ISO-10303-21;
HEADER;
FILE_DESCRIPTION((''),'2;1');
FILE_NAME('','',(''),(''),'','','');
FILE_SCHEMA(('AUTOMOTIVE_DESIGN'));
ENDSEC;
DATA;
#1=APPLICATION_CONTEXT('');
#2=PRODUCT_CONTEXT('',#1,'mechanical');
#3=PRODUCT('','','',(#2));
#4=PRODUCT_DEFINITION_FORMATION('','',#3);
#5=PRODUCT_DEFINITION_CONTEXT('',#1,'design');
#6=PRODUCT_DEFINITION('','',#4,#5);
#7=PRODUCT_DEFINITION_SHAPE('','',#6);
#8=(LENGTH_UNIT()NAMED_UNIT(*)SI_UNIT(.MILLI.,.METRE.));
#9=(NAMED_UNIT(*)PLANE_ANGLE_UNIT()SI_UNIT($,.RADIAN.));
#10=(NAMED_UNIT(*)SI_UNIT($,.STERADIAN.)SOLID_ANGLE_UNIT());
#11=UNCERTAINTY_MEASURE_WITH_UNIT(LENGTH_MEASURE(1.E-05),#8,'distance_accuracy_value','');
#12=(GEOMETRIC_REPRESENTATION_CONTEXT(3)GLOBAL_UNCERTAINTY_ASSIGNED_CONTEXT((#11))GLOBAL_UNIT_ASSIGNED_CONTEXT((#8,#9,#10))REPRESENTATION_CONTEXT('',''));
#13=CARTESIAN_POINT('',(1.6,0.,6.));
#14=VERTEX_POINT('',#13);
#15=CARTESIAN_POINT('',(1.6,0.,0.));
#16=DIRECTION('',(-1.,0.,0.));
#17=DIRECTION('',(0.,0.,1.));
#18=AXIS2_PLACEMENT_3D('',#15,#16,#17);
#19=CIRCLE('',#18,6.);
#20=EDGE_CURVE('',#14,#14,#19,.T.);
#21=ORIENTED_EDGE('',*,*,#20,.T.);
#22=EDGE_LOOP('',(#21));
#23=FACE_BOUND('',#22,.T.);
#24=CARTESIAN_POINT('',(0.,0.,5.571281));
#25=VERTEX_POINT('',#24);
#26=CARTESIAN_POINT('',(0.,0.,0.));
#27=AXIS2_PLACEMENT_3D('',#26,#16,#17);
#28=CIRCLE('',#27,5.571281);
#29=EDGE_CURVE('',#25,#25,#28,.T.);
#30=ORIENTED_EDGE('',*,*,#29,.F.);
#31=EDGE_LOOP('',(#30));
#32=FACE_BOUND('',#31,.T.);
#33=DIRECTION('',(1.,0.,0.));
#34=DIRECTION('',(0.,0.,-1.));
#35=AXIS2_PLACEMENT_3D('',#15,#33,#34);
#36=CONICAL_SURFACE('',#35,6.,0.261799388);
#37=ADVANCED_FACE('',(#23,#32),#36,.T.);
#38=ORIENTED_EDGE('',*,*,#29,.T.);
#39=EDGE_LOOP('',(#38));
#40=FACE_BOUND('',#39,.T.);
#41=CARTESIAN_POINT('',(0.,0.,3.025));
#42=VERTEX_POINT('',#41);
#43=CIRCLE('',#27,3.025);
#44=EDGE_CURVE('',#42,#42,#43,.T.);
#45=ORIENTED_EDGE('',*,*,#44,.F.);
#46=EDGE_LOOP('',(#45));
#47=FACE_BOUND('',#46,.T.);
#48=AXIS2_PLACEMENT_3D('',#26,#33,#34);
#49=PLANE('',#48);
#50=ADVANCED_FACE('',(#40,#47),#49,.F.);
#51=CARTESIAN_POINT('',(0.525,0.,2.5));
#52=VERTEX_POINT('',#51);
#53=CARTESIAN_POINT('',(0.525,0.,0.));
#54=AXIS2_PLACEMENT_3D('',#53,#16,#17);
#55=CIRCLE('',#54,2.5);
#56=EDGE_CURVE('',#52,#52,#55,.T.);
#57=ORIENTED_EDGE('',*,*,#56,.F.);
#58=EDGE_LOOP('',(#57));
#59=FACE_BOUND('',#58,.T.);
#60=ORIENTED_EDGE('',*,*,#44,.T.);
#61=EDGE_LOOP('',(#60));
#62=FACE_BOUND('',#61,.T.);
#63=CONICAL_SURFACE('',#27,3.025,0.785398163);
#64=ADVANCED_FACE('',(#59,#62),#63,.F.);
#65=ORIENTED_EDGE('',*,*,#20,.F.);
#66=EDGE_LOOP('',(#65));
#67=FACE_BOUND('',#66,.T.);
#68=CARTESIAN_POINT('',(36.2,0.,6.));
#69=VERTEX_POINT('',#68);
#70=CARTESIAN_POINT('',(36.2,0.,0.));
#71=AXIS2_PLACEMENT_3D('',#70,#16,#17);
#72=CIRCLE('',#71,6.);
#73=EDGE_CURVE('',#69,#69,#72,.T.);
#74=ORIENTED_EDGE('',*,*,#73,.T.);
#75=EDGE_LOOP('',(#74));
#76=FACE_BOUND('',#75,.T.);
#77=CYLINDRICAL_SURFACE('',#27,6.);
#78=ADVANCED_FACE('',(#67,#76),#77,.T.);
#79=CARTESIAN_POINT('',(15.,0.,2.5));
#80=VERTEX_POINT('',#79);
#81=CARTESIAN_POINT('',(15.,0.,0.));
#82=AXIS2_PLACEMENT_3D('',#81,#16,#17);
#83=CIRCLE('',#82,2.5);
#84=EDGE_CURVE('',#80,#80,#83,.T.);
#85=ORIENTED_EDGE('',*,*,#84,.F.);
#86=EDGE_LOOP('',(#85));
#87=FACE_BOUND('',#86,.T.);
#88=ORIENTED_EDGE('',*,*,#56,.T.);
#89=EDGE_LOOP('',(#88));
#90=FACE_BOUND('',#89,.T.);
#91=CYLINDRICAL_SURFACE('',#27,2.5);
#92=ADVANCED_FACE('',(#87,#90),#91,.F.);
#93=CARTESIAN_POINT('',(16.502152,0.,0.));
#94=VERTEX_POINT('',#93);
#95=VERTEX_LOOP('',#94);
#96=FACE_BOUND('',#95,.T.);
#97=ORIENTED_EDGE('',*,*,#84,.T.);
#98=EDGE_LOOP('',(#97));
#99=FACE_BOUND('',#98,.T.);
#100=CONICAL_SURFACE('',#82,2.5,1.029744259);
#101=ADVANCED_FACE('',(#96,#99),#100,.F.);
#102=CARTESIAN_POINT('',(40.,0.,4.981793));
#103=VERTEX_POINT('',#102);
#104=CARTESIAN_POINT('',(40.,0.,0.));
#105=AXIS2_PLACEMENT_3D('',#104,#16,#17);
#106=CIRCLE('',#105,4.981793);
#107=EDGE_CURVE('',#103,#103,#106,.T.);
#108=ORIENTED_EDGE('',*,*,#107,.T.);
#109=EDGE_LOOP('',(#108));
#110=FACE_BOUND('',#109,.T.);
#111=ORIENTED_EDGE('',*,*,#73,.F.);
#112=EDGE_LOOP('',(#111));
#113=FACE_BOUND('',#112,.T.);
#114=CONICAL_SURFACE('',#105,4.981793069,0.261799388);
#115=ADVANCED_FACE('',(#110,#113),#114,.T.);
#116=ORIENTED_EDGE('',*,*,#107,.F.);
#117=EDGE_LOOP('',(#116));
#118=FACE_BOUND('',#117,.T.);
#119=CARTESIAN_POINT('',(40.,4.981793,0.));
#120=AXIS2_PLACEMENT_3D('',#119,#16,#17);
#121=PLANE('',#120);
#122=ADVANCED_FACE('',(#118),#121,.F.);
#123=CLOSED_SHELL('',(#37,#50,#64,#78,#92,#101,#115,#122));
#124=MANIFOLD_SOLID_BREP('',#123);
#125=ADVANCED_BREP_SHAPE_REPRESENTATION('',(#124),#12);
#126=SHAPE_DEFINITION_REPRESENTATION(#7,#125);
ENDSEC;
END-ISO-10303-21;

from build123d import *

# Parameters (mm, degrees)
M6_GEWINDEBOHRUNG1_D           = 5
M6_GEWINDEBOHRUNG1_DEPTH       = 15
M6_GEWINDEBOHRUNG1_CSINK_D     = 6.05
M6_GEWINDEBOHRUNG1_CSINK_ANGLE = 90
M6_GEWINDEBOHRUNG1_TIP         = 1.502151548


with BuildPart() as part:
    # Skizze1 → Rotation3 (revolve)
    with BuildSketch(Plane.XY, mode=Mode.PRIVATE) as rotation3_sk:
        Polygon((0, 0), (0, 5.571281292), (1.6, 6), (36.2, 6), (40, 4.981793069), (40, 0), align=None)
    revolve(rotation3_sk.sketch.rotate(Axis((0, 0, 0), (1, 0, 0)), 90), axis=Axis((0, 0, 0), (1, 0, 0)))

    # M6 Gewindebohrung1
    with Locations(Plane.ZY):
        with Locations((0, 0)):
            CounterSinkHole(M6_GEWINDEBOHRUNG1_D / 2, M6_GEWINDEBOHRUNG1_CSINK_D / 2, depth=M6_GEWINDEBOHRUNG1_DEPTH, counter_sink_angle=M6_GEWINDEBOHRUNG1_CSINK_ANGLE)
            with Locations((0, 0, -(M6_GEWINDEBOHRUNG1_DEPTH + M6_GEWINDEBOHRUNG1_TIP / 2))):  # 118° drill point
                Cone(0, M6_GEWINDEBOHRUNG1_D / 2, M6_GEWINDEBOHRUNG1_TIP, mode=Mode.SUBTRACT)


solid = part.part
